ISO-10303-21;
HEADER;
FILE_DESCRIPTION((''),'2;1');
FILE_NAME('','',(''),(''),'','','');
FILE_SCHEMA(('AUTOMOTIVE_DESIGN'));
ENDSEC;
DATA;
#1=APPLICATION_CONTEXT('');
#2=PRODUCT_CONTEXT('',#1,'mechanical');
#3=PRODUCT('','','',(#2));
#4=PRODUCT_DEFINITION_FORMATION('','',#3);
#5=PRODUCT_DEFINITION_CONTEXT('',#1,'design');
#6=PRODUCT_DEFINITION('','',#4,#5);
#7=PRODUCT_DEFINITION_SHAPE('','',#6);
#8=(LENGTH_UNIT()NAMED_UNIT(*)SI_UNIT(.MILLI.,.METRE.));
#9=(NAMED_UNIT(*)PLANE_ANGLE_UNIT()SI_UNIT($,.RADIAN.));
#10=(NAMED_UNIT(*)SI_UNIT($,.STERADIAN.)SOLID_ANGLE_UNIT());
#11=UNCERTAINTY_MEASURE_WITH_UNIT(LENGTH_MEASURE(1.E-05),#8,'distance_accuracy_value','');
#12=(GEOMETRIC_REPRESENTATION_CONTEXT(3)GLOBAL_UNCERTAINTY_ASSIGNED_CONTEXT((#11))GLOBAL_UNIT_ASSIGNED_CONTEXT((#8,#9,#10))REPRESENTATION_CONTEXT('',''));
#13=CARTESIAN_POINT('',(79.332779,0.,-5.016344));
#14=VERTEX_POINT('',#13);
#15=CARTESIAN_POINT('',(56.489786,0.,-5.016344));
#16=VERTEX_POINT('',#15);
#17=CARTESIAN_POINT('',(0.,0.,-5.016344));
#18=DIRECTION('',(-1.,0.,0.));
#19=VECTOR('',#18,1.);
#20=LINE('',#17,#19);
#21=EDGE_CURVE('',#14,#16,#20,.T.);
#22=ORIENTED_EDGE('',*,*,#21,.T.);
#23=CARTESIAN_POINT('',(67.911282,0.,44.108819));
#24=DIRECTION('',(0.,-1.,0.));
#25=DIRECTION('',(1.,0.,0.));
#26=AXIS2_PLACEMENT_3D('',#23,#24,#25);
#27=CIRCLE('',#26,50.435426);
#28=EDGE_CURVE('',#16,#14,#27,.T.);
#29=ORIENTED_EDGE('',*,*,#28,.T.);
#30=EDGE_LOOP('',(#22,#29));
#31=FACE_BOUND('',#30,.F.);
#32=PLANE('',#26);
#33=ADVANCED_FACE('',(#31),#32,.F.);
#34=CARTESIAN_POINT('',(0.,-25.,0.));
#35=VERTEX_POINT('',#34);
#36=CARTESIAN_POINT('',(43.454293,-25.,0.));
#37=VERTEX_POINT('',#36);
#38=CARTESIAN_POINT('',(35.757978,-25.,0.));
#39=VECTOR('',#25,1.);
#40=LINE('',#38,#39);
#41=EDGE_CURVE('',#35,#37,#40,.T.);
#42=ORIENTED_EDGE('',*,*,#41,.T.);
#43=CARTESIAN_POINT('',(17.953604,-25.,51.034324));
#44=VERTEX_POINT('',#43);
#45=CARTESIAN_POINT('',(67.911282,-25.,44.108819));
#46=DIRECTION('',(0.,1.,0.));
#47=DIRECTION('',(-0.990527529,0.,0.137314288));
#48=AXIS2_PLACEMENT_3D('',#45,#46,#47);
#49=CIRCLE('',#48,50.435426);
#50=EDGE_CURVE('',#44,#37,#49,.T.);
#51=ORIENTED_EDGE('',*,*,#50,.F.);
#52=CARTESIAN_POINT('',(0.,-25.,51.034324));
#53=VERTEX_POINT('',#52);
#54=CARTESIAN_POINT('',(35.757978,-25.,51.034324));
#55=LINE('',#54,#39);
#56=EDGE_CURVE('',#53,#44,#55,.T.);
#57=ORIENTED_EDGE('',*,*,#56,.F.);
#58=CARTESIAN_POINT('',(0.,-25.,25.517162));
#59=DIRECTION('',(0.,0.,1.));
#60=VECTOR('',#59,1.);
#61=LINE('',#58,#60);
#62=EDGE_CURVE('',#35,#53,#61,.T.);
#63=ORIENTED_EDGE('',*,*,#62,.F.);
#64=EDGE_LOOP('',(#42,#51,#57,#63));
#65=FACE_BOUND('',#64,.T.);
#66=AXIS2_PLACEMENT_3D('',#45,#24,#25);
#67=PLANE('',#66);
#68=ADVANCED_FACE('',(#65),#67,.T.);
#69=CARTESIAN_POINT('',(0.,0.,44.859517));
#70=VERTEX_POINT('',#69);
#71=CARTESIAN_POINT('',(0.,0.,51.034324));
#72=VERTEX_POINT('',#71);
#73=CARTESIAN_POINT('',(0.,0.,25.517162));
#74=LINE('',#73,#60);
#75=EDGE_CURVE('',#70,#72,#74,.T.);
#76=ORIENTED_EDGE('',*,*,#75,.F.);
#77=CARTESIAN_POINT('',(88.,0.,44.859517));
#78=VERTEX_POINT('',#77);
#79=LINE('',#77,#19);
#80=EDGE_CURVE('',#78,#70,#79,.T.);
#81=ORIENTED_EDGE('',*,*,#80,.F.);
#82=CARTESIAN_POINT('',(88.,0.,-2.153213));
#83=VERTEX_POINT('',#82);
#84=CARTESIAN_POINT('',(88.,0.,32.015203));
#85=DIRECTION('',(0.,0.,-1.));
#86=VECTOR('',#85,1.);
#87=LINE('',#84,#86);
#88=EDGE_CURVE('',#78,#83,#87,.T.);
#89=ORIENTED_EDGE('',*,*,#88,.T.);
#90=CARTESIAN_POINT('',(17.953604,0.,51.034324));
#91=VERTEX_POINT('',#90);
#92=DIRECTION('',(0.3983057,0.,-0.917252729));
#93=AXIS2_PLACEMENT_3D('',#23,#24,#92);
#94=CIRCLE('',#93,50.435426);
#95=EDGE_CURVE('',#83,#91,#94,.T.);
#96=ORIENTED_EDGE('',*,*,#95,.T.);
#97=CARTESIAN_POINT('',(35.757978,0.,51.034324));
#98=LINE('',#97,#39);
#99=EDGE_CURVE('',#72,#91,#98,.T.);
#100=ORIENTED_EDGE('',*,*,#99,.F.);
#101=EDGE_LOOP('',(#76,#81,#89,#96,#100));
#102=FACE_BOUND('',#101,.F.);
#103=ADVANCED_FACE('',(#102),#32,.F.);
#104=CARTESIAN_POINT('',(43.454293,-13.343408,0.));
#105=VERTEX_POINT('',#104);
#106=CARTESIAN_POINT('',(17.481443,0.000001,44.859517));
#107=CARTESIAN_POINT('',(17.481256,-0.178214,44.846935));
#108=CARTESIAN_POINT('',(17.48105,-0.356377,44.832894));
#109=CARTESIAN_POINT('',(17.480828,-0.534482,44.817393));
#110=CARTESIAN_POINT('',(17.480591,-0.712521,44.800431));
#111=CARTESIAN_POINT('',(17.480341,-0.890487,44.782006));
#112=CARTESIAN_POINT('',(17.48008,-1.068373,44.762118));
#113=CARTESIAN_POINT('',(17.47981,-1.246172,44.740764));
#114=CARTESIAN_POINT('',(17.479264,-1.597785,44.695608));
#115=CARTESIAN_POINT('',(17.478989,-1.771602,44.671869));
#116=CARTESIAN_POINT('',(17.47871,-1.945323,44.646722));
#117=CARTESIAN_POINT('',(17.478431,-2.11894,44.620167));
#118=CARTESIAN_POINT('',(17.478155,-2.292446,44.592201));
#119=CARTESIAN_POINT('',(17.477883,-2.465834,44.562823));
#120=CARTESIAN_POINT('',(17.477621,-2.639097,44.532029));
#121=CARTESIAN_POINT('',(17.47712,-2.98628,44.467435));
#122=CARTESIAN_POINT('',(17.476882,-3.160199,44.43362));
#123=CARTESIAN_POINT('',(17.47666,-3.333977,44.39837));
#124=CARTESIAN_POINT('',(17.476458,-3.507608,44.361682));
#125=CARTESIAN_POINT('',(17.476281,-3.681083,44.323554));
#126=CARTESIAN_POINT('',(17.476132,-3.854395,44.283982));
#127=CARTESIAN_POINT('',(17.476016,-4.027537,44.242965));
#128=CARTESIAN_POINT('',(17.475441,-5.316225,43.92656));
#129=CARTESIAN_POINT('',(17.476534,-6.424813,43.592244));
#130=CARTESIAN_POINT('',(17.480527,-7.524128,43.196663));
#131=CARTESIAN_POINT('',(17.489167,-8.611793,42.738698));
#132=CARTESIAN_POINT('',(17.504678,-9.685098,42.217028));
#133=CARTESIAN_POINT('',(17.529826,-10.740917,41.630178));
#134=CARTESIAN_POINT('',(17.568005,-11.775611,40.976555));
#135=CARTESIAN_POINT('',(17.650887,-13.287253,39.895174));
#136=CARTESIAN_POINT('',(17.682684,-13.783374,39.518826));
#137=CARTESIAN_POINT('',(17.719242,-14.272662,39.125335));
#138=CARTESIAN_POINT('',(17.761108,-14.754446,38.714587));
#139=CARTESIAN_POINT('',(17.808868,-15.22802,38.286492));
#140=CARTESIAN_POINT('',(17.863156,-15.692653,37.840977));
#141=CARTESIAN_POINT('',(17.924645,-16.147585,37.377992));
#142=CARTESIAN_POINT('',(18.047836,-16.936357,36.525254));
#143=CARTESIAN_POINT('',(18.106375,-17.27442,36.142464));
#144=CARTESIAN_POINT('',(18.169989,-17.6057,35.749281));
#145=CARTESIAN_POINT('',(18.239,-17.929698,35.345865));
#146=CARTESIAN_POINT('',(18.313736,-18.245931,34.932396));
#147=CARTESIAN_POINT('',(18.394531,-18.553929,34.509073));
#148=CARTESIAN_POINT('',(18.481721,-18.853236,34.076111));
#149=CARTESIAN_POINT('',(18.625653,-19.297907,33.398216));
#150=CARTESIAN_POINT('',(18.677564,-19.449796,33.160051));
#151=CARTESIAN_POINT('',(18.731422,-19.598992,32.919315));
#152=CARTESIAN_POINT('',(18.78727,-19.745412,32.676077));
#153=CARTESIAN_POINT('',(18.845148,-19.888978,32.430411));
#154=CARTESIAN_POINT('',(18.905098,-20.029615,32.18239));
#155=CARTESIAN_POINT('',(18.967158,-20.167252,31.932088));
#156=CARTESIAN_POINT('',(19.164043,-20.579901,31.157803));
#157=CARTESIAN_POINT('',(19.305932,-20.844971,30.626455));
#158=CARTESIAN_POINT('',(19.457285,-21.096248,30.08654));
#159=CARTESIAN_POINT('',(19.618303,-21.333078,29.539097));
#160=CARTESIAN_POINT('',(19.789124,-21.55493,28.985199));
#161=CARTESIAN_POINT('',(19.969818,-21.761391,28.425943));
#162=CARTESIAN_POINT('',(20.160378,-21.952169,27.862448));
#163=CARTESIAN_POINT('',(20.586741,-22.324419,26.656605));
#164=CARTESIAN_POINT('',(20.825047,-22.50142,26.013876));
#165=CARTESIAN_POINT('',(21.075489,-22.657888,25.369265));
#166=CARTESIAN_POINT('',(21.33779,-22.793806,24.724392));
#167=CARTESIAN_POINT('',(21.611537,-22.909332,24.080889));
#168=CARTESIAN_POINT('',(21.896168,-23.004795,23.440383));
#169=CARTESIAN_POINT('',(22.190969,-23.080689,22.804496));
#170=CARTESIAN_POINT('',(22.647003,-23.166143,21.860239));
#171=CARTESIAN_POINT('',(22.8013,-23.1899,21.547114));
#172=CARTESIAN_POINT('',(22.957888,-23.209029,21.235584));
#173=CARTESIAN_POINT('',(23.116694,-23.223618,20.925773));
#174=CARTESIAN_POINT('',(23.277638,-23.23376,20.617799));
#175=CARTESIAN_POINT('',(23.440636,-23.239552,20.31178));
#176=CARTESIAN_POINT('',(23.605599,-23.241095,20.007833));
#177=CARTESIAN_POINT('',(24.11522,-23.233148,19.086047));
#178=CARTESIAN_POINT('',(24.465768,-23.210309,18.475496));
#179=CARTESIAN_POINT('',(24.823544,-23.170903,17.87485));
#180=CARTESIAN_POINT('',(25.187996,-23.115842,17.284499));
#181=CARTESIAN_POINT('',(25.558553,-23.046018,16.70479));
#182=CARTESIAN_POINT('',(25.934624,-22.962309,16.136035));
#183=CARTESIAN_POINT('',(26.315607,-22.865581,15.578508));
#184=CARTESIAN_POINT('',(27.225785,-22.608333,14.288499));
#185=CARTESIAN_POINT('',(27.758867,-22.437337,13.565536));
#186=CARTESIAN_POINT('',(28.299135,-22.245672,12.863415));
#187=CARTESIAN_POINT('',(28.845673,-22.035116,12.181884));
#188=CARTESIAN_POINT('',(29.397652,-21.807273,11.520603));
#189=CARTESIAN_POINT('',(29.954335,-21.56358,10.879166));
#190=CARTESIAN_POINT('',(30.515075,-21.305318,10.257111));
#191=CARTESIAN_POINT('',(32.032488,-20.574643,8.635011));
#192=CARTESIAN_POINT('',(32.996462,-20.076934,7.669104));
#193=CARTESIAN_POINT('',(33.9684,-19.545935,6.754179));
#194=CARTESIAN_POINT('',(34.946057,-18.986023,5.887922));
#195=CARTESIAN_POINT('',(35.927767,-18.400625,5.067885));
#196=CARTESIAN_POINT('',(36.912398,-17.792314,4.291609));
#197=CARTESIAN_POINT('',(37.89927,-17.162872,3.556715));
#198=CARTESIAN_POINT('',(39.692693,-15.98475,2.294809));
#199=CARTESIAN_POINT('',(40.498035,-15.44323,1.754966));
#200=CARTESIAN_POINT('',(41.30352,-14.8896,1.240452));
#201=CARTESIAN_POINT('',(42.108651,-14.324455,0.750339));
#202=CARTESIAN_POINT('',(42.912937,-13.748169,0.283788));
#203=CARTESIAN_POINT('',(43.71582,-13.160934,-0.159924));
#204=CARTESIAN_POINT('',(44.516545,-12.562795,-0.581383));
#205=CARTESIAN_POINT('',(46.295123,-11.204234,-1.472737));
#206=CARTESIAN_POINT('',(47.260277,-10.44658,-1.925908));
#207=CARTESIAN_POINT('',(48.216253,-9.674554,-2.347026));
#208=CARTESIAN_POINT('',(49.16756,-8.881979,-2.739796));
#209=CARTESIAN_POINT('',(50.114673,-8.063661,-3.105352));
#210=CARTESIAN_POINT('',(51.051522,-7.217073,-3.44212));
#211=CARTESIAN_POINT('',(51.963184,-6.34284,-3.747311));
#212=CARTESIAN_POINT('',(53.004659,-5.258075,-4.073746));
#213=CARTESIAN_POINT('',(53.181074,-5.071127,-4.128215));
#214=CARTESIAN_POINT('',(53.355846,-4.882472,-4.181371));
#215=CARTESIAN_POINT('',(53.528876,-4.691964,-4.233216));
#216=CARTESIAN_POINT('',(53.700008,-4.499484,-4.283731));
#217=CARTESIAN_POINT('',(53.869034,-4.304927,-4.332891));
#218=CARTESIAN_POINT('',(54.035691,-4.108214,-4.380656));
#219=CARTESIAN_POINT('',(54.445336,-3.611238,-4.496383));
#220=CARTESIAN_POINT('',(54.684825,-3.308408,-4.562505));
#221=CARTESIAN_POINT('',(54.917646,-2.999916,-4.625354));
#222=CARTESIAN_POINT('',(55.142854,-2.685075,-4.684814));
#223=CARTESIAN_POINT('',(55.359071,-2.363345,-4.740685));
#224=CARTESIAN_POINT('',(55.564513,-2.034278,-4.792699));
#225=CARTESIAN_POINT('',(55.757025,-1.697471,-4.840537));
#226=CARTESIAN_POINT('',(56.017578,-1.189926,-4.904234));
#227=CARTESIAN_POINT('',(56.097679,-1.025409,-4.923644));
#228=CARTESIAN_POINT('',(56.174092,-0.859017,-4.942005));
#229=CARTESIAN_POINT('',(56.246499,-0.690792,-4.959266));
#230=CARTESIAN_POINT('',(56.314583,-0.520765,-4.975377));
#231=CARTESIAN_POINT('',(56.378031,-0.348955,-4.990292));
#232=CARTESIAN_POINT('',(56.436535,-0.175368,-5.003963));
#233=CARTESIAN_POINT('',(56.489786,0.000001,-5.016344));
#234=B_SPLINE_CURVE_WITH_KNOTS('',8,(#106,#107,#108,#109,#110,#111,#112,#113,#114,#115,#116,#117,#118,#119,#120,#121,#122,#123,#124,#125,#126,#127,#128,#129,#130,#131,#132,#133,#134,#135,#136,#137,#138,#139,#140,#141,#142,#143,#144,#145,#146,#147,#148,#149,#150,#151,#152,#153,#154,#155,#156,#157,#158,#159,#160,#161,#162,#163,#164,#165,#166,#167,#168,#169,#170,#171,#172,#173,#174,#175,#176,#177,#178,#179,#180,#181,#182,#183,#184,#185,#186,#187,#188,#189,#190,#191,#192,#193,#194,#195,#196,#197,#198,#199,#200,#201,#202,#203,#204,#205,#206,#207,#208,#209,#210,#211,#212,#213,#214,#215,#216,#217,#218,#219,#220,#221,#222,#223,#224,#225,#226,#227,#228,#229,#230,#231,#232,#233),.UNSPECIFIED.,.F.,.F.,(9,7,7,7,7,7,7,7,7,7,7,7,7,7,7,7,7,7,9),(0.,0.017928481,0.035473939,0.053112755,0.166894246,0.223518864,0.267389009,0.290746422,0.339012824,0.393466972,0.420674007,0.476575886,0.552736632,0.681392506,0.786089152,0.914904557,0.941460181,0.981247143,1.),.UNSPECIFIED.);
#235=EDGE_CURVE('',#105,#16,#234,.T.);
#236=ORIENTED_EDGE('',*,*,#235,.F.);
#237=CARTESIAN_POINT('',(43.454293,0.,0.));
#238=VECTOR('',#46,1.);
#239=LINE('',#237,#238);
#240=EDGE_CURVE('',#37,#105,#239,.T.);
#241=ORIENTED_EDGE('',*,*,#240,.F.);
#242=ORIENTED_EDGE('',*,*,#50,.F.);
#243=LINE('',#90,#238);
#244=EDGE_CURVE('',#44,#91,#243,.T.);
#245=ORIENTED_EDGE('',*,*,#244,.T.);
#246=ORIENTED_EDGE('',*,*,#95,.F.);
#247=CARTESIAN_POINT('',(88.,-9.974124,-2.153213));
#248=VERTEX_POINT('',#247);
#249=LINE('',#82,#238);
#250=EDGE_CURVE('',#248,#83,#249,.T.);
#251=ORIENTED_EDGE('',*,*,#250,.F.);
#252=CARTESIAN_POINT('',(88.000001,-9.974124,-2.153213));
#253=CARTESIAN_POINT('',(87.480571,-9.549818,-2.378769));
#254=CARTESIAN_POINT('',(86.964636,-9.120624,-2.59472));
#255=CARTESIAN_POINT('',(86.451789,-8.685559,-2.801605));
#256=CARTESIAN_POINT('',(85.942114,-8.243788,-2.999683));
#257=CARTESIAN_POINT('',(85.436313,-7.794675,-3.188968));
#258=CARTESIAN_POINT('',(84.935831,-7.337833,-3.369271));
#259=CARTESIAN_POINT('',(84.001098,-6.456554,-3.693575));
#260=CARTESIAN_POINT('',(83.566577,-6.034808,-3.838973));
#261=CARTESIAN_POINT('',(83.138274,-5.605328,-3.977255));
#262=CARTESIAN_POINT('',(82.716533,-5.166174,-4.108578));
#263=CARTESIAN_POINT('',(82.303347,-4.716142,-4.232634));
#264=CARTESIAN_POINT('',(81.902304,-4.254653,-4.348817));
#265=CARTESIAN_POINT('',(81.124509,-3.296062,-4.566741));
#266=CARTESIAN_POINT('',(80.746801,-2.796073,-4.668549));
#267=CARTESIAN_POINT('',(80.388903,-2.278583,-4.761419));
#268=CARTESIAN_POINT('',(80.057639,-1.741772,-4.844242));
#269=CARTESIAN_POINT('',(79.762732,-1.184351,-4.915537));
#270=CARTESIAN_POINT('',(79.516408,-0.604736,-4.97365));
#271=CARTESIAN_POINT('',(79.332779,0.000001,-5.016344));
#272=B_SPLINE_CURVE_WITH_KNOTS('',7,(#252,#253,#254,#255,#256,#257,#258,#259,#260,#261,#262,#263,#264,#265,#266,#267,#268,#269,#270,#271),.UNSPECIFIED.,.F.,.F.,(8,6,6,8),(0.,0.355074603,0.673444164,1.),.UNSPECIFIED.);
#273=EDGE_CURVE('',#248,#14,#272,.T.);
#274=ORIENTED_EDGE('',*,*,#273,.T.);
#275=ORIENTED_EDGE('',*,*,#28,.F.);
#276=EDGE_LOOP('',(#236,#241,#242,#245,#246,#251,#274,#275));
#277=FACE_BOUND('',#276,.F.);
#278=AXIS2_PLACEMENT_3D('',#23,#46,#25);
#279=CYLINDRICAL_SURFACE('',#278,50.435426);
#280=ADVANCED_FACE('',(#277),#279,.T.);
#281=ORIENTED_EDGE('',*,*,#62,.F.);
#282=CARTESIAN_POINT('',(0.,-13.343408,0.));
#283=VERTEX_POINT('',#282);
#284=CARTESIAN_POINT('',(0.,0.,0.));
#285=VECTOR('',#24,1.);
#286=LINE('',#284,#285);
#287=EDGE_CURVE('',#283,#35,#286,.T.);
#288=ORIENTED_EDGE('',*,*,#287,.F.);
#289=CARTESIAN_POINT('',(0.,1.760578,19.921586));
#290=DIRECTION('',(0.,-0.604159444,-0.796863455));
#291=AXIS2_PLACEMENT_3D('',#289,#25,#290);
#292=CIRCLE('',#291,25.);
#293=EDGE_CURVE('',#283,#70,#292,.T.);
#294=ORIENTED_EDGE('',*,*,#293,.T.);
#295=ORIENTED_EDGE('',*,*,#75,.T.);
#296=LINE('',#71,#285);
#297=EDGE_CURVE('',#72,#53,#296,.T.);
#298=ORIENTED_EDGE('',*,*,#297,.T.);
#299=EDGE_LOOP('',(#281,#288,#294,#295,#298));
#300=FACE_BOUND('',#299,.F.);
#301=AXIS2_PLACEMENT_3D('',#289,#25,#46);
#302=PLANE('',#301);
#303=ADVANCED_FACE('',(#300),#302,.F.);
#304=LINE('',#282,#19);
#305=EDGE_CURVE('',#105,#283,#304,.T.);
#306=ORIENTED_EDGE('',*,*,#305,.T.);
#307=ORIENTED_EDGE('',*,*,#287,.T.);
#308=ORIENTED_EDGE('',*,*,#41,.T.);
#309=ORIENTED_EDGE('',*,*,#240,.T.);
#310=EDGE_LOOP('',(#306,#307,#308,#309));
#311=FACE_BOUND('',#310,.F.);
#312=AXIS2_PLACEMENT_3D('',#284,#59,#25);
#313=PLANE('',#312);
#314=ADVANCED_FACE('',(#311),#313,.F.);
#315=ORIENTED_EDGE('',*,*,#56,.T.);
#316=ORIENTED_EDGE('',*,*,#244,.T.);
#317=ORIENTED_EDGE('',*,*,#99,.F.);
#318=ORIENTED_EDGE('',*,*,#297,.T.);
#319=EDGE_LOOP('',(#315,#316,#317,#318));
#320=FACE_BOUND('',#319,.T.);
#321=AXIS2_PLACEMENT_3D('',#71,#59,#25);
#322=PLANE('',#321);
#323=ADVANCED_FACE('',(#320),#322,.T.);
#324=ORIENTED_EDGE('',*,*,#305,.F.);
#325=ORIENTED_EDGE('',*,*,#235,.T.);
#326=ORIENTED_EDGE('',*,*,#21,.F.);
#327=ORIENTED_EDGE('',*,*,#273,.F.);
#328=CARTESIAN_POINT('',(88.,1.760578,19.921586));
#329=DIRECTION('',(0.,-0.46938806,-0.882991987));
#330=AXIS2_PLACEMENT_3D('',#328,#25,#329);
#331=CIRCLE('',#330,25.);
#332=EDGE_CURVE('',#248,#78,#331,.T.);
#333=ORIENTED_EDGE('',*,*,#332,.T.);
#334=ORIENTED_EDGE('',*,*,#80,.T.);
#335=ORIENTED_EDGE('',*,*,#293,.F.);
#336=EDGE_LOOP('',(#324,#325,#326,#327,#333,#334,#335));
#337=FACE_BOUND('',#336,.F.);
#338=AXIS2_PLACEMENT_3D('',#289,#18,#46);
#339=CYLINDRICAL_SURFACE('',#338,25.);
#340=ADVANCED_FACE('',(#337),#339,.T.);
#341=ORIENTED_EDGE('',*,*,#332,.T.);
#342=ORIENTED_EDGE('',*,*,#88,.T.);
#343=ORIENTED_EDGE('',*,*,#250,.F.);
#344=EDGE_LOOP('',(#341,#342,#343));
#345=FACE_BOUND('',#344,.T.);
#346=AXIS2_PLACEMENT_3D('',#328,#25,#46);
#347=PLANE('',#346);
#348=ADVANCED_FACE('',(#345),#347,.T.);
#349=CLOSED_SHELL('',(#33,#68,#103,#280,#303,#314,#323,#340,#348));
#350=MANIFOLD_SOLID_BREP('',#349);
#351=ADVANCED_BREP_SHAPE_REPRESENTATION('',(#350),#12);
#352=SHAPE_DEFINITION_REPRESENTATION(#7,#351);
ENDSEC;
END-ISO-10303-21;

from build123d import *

# Parameters (mm, degrees)
F0_W     = 71.5159550309
F0_H     = 51.0343238711
F1_DEPTH = 25
F2_R     = 25
F3_DEPTH = 88
F4_R     = 50.4354263915
F5_DEPTH = 25


with BuildPart() as f1:
    # F0 (on Front) → F1 (new body)
    with BuildSketch(Plane.XZ):
        with Locations((35.7579775155, 25.5171619356)):
            Rectangle(F0_W, F0_H)
    extrude(amount=F1_DEPTH)

    # F2 (on Right) → F3 (join)
    with BuildSketch(Plane.YZ):
        with Locations((1.7605778567, 19.9215863818)):
            Circle(F2_R)
    extrude(amount=F3_DEPTH)

    # F4 (on Front) → F5 (join)
    with BuildSketch(Plane.XZ):
        with Locations((67.9112821817, 44.1088192165)):
            Circle(F4_R)
    extrude(amount=F5_DEPTH)


solid = f1.part
